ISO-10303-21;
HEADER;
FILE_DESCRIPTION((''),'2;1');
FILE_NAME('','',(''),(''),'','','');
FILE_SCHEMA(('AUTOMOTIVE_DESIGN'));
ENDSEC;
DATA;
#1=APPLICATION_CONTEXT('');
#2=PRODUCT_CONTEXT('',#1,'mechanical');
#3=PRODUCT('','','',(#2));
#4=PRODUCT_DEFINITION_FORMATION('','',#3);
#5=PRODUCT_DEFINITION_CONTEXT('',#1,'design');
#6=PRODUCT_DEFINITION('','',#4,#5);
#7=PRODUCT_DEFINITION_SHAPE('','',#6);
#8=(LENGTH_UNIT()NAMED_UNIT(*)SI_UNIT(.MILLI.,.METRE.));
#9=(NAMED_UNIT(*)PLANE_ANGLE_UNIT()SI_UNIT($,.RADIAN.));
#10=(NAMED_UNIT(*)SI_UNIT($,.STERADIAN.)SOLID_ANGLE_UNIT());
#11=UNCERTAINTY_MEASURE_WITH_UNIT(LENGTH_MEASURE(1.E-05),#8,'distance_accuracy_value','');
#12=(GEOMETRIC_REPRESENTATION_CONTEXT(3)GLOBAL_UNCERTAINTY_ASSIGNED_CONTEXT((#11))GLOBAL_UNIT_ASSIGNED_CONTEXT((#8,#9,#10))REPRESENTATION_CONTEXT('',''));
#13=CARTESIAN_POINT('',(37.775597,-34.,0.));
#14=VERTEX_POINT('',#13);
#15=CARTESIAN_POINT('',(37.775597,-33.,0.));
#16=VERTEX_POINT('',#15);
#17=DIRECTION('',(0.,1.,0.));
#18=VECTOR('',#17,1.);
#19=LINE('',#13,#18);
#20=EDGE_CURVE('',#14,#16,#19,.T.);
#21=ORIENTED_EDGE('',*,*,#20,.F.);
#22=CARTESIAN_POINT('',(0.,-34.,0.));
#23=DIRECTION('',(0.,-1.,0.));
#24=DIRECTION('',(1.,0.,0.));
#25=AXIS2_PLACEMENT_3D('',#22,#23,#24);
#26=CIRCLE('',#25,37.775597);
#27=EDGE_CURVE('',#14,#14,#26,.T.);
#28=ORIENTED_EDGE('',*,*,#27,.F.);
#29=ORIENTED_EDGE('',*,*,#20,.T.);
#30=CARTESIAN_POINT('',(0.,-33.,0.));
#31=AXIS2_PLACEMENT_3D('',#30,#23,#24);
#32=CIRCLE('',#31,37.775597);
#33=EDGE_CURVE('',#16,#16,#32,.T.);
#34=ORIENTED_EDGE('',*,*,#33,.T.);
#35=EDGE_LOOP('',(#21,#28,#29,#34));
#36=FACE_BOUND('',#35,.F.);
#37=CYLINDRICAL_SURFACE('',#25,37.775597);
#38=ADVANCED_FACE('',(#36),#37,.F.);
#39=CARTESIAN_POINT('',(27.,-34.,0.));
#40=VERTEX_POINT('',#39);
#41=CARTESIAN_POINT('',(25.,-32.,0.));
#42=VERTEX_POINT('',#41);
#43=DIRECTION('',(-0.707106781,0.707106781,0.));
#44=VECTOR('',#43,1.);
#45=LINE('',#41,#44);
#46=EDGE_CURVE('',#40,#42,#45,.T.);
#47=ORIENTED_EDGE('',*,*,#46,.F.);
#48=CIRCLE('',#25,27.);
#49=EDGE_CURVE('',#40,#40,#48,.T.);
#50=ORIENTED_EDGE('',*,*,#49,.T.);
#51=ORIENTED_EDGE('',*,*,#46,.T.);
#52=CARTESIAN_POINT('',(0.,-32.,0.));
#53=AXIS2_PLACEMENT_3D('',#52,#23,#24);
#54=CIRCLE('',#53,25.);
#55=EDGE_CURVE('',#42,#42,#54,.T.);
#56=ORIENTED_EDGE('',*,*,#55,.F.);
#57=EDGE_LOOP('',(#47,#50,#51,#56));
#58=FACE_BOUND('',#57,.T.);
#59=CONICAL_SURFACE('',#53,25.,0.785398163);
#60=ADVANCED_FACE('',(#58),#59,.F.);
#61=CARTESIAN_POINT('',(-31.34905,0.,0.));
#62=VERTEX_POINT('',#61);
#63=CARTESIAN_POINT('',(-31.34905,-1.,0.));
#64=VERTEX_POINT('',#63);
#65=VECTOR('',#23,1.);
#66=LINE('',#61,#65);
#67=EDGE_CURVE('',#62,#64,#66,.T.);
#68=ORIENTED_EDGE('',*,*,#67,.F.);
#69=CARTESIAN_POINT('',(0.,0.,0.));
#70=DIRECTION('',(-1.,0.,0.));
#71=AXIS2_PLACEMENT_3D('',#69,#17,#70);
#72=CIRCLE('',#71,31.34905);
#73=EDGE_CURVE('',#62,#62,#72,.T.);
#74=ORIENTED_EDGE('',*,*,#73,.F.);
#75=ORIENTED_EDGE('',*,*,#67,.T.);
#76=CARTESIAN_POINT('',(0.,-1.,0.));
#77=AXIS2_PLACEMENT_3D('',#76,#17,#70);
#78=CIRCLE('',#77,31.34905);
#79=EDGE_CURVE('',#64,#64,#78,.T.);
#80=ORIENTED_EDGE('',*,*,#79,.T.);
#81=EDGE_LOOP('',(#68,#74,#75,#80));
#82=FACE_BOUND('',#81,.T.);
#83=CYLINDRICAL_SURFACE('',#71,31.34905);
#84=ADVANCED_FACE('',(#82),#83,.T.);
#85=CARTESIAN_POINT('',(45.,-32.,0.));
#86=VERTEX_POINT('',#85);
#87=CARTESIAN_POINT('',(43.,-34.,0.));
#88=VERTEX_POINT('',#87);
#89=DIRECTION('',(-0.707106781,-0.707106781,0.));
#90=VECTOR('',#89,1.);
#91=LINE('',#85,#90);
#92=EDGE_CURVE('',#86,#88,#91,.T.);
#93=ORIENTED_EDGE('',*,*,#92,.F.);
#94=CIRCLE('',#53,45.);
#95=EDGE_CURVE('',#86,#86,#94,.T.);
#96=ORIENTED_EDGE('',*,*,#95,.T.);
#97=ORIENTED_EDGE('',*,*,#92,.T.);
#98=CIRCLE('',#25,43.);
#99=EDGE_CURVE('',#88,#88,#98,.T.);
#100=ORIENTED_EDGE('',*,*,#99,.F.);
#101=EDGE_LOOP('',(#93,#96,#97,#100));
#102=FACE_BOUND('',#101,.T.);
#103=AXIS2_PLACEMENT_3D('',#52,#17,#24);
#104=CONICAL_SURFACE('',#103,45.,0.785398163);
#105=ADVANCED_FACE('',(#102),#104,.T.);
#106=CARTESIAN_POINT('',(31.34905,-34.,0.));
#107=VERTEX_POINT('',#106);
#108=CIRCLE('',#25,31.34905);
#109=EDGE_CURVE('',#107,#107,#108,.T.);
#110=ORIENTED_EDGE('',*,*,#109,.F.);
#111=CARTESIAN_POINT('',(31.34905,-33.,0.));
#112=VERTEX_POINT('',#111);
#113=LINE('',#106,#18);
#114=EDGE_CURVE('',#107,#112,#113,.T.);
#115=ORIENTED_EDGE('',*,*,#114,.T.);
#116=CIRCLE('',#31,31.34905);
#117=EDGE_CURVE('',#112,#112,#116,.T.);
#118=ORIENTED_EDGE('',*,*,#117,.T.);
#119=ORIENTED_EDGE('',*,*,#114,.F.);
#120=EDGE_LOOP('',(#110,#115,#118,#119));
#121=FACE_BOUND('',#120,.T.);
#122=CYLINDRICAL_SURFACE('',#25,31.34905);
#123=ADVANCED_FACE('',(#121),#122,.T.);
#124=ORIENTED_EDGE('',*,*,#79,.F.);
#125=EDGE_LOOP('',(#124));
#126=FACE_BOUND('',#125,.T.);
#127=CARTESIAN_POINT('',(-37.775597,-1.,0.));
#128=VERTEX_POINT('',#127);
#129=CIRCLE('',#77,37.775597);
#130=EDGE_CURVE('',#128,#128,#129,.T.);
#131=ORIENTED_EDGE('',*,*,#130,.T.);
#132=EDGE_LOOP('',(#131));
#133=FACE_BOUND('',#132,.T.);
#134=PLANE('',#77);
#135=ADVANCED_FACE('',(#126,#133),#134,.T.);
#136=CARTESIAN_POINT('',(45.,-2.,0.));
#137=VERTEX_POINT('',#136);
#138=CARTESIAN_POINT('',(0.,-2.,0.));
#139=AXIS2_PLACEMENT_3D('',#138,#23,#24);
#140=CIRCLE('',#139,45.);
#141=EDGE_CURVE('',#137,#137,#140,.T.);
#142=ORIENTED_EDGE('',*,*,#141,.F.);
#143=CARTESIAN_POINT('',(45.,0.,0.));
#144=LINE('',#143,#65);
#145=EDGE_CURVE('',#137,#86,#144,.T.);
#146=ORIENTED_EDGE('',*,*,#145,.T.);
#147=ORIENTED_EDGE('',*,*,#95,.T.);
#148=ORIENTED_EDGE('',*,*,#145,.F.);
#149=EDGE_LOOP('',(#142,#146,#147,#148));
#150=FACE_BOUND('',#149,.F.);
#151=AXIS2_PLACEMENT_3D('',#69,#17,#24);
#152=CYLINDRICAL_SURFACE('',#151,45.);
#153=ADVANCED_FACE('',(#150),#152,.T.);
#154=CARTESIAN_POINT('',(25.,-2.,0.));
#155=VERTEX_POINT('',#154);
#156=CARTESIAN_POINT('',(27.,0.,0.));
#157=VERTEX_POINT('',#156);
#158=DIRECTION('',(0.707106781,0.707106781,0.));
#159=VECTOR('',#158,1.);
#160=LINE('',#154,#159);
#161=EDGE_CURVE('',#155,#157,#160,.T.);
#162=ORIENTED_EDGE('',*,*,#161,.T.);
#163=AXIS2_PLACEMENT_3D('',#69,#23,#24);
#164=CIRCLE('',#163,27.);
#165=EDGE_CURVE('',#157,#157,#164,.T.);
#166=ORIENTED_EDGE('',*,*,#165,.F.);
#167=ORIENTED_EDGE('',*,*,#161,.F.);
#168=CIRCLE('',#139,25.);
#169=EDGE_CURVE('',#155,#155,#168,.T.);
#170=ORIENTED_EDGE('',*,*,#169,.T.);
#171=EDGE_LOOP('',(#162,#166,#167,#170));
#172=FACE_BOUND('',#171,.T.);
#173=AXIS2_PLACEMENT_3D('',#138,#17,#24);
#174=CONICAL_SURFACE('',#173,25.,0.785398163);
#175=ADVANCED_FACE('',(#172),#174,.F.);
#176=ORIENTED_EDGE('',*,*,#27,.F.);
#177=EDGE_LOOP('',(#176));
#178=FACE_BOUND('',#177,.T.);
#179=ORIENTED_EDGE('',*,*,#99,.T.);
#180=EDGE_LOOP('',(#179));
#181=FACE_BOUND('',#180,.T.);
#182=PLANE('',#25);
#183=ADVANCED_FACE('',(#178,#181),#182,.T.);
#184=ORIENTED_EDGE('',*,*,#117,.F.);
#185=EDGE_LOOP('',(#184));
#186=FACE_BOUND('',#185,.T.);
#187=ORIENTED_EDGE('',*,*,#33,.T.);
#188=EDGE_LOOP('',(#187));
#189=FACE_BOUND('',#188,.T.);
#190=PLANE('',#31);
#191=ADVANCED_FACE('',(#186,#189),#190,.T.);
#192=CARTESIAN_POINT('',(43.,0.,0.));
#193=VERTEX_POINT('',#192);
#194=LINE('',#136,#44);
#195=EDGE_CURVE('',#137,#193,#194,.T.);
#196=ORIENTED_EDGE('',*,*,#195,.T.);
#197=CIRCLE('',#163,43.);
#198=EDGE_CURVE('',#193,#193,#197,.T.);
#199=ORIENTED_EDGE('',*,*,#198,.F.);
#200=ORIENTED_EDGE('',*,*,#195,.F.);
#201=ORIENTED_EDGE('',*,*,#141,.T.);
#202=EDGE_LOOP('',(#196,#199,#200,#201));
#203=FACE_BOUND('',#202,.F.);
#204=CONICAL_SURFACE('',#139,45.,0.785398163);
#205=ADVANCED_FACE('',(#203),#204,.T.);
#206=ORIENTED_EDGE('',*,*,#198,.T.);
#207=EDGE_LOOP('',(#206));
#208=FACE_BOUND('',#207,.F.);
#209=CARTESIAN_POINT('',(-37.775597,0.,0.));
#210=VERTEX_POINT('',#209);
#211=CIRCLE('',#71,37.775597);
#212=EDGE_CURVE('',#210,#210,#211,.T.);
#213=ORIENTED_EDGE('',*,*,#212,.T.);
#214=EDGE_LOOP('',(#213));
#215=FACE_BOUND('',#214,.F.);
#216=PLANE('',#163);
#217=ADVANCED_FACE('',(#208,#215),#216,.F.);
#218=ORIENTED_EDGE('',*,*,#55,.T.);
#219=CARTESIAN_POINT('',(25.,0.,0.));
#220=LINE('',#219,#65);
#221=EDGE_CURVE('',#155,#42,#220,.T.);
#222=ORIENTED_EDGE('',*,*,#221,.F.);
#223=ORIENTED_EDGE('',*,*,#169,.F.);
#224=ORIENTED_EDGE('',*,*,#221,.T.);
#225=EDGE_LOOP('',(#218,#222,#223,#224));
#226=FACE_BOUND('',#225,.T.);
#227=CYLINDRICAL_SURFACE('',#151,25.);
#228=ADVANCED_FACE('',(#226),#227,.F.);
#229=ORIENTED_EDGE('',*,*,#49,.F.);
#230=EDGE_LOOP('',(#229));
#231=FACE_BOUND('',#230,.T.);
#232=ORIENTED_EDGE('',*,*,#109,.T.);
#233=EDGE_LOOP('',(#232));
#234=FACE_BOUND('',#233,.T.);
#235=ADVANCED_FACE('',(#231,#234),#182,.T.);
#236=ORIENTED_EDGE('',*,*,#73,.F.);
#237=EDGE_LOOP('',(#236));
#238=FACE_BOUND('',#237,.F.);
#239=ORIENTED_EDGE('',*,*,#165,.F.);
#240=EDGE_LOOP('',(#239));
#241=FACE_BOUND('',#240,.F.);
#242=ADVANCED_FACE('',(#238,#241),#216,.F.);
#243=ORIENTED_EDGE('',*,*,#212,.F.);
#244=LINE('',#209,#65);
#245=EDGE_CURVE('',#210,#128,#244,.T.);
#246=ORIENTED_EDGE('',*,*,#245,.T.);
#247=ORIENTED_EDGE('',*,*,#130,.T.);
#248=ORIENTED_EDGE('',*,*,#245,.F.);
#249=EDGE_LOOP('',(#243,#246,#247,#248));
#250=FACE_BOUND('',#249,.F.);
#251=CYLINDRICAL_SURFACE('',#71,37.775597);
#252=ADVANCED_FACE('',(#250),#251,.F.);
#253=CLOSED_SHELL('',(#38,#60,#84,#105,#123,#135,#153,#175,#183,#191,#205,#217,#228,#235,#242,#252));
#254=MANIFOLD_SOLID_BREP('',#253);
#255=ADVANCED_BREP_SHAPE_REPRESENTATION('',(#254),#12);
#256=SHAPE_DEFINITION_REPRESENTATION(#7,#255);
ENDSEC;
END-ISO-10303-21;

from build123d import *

# Parameters (mm, degrees)
F0_R     = 45
F0_R_2   = 25
F1_DEPTH = 34
F2_SIZE  = 2
F3_SIZE  = 2
F4_SIZE  = 2
F5_R     = 37.775597
F5_R_2   = 31.34905
F6_DEPTH = 1
F7_R     = 37.775597
F7_R_2   = 31.34905
F8_DEPTH = 1


with BuildPart() as f1:
    # F0 (on Front) → F1 (new body)
    with BuildSketch(Plane.XZ):
        Circle(F0_R)
        Circle(F0_R_2, mode=Mode.SUBTRACT)
    extrude(amount=F1_DEPTH)

    # F2
    f2_edges = [f1.edges().sort_by_distance(p)[0] for p in [
        (-45, -34, 0),
        (-45, 0, 0),
    ]]
    chamfer(f2_edges, length=F2_SIZE)

    # F3
    f3_edges = [f1.edges().sort_by_distance(p)[0] for p in [
        (-25, -34, 0),
    ]]
    chamfer(f3_edges, length=F3_SIZE)

    # F4
    f4_edges = [f1.edges().sort_by_distance(p)[0] for p in [
        (-25, 0, 0),
    ]]
    chamfer(f4_edges, length=F4_SIZE)

    # F5 (on face) → F6 (cut)
    with BuildSketch(Plane(origin=(0, 0, 0), x_dir=(-1, 0, 0), z_dir=(0, 1, 0))):
        Circle(F5_R)
        Circle(F5_R_2, mode=Mode.SUBTRACT)
    extrude(amount=-F6_DEPTH, mode=Mode.SUBTRACT)

    # F7 (on face) → F8 (cut)
    with BuildSketch(Plane.XZ.offset(34)):
        Circle(F7_R)
        Circle(F7_R_2, mode=Mode.SUBTRACT)
    extrude(amount=-F8_DEPTH, mode=Mode.SUBTRACT)


solid = f1.part
